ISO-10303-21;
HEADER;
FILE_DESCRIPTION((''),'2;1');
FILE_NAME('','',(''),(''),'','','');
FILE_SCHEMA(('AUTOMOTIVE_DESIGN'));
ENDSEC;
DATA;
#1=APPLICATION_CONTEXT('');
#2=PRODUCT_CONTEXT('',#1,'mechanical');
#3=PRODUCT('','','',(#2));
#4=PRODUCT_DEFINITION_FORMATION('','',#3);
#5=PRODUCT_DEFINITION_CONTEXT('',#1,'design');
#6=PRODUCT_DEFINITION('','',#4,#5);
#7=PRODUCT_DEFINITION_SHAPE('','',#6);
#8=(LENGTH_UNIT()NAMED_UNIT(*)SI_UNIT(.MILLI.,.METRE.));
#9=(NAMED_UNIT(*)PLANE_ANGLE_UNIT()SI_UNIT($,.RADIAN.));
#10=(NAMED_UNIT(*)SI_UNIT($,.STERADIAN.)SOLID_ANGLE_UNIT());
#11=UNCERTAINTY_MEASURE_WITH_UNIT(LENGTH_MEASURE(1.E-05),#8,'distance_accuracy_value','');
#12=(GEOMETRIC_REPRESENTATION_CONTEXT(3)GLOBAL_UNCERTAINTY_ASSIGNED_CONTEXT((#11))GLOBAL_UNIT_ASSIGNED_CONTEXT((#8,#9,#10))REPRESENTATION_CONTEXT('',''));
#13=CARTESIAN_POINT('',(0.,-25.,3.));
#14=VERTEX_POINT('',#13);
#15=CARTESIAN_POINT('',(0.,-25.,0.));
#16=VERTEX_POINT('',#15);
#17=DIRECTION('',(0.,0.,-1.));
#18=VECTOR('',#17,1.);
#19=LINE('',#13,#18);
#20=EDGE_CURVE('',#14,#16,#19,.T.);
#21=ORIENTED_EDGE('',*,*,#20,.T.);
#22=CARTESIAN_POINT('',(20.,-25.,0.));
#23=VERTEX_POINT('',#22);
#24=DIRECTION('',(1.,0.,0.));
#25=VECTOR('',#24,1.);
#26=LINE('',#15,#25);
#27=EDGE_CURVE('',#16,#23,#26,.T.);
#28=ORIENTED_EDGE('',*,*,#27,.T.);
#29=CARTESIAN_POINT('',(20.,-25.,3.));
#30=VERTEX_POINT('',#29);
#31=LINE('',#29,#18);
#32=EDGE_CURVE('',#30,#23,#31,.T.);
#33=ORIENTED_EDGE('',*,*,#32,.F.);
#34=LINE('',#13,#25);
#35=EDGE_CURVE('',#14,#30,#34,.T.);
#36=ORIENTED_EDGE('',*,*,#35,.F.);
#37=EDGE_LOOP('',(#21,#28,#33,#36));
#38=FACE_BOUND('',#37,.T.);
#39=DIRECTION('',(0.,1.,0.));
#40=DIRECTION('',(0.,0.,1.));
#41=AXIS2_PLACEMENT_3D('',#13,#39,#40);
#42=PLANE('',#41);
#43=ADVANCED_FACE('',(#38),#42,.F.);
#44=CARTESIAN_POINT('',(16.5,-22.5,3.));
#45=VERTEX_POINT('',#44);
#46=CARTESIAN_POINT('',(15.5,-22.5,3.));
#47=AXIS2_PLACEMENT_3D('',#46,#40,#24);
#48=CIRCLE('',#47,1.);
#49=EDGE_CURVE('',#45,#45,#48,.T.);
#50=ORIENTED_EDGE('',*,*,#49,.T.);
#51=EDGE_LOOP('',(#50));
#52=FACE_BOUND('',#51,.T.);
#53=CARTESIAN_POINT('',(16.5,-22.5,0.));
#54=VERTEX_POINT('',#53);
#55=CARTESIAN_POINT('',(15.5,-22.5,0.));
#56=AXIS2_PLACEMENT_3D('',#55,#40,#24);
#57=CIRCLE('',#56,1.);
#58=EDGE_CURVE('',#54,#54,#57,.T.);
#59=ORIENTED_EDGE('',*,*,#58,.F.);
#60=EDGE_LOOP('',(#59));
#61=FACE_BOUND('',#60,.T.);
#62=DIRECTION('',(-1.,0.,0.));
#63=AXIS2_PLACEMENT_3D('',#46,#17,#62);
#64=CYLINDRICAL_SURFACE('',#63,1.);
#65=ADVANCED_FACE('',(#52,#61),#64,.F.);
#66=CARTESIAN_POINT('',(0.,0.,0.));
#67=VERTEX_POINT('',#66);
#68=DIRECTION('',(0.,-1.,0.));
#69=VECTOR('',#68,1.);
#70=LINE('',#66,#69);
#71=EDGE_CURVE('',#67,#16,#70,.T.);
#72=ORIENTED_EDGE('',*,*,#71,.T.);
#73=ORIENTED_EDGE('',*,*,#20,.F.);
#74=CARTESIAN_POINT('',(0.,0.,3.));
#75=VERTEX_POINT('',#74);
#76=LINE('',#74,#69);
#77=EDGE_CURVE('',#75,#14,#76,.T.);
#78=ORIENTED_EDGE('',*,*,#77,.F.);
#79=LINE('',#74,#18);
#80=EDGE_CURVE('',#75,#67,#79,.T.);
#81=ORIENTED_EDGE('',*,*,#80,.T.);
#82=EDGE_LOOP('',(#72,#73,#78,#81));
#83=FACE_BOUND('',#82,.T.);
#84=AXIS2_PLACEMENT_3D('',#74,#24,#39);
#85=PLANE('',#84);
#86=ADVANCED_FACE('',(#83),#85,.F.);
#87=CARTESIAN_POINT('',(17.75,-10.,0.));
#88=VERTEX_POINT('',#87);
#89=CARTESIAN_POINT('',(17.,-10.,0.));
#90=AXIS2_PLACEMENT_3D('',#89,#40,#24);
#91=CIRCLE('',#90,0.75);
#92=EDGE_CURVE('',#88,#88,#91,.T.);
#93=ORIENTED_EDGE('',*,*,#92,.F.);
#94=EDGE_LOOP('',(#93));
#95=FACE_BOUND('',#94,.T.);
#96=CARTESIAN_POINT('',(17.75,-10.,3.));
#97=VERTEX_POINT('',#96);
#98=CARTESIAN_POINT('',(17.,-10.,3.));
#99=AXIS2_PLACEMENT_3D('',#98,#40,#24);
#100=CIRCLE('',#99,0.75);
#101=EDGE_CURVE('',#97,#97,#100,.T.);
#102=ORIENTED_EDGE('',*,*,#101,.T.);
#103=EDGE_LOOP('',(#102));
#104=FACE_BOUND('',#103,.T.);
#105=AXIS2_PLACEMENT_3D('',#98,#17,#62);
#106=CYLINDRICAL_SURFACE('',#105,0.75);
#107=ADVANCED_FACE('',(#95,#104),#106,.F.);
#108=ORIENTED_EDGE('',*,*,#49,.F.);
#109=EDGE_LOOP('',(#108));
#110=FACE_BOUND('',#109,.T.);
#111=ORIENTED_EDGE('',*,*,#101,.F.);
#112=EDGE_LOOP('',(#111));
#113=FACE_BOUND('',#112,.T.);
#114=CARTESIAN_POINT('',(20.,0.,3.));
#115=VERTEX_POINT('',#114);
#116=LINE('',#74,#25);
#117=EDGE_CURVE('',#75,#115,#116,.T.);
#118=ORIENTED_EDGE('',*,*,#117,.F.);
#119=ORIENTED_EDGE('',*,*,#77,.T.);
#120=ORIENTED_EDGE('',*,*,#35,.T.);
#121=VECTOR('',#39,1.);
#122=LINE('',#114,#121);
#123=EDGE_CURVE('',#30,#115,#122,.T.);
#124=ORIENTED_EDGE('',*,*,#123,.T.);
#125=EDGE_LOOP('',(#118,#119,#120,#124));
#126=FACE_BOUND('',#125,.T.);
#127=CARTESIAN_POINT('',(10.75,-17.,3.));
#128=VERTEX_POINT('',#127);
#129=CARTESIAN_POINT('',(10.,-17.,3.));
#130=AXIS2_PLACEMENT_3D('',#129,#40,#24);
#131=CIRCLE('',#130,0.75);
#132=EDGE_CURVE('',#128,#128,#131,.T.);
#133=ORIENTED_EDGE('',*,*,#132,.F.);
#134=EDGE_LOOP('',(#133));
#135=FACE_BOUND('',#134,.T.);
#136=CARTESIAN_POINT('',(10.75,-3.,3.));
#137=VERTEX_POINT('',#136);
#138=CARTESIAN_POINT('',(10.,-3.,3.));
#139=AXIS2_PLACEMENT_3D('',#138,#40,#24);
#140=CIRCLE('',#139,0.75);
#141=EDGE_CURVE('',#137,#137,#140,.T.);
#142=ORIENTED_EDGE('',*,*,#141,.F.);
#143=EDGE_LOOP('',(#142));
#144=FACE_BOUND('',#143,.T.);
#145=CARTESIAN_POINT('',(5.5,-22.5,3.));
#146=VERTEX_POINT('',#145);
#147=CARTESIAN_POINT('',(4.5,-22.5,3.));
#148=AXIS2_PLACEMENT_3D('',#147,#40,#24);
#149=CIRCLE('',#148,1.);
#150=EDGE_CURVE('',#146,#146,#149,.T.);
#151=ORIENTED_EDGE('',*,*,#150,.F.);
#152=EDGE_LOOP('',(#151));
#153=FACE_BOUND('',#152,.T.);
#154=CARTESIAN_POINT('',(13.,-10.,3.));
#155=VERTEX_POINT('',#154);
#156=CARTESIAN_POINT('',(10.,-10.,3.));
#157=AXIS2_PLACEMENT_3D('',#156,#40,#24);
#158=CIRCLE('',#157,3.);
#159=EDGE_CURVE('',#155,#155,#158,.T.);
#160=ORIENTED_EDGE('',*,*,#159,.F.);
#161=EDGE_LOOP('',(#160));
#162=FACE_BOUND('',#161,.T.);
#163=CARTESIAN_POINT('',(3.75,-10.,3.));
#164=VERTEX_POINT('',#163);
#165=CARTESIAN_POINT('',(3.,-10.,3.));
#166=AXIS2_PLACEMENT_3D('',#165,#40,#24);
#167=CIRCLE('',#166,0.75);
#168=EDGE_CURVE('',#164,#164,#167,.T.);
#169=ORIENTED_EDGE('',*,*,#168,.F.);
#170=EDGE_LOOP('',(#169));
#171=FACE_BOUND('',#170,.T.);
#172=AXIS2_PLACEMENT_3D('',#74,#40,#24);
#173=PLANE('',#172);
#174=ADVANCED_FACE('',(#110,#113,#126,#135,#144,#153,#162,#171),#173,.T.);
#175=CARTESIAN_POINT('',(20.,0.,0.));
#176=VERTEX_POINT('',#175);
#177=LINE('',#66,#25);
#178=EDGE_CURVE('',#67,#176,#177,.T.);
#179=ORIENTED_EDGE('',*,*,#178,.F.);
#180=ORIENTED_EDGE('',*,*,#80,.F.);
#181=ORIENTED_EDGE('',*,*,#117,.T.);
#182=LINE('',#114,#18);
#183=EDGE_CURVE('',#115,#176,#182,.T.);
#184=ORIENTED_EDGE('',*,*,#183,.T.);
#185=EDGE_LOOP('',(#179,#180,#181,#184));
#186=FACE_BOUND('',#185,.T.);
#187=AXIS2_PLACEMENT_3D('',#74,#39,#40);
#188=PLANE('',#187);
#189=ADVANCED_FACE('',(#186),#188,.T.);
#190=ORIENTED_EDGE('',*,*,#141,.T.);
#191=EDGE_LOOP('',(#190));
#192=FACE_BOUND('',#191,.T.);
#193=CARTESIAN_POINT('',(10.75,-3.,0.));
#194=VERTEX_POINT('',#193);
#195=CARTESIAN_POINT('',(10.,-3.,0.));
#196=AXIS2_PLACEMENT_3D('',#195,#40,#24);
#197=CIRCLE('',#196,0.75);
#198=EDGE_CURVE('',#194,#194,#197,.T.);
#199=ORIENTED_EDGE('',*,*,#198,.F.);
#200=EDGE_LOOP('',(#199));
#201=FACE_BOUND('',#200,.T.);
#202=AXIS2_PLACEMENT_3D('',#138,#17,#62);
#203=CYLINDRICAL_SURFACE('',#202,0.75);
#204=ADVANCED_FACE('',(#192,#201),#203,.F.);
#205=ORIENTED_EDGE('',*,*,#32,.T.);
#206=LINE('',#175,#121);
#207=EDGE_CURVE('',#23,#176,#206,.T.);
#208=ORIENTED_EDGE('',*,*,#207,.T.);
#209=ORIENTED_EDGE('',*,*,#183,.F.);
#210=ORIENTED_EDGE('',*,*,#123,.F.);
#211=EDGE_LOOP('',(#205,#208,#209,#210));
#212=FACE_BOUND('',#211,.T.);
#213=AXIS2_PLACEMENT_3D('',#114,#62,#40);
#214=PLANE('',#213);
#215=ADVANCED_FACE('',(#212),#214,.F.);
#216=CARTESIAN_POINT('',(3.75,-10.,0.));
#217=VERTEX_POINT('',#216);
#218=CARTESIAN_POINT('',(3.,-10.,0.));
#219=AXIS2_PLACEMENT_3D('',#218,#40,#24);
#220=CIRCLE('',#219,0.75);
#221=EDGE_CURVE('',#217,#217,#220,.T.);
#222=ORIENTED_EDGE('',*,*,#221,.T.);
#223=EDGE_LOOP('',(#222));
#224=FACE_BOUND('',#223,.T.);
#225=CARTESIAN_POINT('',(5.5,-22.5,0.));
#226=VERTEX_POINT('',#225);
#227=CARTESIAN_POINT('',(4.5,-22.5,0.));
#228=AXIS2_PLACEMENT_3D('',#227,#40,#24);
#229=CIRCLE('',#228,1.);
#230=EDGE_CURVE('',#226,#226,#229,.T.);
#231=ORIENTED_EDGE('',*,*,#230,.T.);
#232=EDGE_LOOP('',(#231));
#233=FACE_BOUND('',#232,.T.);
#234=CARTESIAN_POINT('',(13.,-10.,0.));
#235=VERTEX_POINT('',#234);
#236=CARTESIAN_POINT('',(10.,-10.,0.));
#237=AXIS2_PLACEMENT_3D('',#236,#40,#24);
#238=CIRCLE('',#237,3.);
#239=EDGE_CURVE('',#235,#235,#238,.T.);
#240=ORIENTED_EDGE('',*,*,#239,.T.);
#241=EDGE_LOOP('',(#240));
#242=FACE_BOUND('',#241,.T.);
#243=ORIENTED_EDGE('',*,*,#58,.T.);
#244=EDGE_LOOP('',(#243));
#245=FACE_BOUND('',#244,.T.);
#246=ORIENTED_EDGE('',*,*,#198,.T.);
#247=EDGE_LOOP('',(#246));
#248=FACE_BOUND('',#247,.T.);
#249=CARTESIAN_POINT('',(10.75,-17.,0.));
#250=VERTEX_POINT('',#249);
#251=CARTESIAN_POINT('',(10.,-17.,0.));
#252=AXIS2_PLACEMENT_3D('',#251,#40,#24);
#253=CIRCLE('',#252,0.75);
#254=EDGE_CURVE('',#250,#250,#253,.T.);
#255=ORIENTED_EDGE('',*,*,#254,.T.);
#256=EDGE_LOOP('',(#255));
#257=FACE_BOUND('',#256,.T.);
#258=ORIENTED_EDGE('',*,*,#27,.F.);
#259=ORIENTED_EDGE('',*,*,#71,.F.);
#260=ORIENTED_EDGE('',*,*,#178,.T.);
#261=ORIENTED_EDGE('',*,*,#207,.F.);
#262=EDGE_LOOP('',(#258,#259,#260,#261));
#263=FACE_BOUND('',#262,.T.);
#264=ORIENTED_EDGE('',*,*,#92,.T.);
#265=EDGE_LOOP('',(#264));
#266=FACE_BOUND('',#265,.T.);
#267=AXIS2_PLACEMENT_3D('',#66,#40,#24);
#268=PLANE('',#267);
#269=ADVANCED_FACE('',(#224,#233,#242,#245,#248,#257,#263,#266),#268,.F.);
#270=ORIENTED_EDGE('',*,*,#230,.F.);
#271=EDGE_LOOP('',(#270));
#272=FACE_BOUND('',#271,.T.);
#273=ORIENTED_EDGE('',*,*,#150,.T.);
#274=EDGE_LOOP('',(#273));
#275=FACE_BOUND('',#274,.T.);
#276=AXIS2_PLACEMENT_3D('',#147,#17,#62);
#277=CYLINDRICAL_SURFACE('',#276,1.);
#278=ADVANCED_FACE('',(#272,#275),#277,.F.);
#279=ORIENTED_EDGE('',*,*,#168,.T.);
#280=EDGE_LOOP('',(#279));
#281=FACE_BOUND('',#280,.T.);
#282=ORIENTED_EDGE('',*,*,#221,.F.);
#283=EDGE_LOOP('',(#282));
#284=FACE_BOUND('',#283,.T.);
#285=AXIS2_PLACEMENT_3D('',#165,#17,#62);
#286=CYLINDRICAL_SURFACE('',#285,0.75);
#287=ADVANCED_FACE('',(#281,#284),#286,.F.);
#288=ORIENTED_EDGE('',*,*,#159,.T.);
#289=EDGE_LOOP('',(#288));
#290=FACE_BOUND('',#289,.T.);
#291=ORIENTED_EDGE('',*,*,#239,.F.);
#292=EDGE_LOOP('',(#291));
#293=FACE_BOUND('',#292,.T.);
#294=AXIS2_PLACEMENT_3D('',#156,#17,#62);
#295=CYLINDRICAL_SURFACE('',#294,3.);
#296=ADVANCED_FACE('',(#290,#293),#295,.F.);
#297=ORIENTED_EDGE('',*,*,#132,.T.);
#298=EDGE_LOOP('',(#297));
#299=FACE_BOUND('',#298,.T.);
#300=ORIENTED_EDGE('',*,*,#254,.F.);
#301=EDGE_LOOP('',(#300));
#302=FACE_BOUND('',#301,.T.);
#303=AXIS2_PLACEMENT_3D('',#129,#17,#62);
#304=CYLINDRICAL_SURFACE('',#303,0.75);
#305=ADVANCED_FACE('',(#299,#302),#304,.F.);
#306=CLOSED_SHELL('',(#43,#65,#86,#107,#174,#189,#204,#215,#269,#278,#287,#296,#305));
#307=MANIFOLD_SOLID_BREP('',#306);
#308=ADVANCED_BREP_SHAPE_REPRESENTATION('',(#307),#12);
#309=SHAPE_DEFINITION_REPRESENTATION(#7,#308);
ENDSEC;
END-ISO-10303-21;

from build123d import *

# Parameters (mm, degrees)
SKETCH1_W           = 20
SKETCH1_H           = 25
SKETCH1_R           = 0.75
SKETCH1_R_2         = 1
BOSS_EXTRUDE1_DEPTH = 3


with BuildPart() as part:
    # Sketch1 → Boss-Extrude1 (new body)
    with BuildSketch(Plane.XY):
        with Locations((10, -12.5)):
            Rectangle(SKETCH1_W, SKETCH1_H)
        with Locations((10, -17)):
            Circle(SKETCH1_R, mode=Mode.SUBTRACT)
        with Locations((3, -10)):
            Circle(SKETCH1_R, mode=Mode.SUBTRACT)
        with BuildLine():
            ThreePointArc((10, -7), (12.121320344, -7.878679656), (13, -10))
            ThreePointArc((13, -10), (12.121320344, -12.121320344), (10, -13))
            ThreePointArc((10, -13), (7.878679656, -12.121320344), (7, -10))
            ThreePointArc((7, -10), (7.878679656, -7.878679656), (10, -7))
        make_face(mode=Mode.SUBTRACT)
        with Locations((10, -3)):
            Circle(SKETCH1_R, mode=Mode.SUBTRACT)
        with Locations((17, -10)):
            Circle(SKETCH1_R, mode=Mode.SUBTRACT)
        with Locations((4.5, -22.5)):
            Circle(SKETCH1_R_2, mode=Mode.SUBTRACT)
        with Locations((15.5, -22.5)):
            Circle(SKETCH1_R_2, mode=Mode.SUBTRACT)
    extrude(amount=BOSS_EXTRUDE1_DEPTH)


solid = part.part
